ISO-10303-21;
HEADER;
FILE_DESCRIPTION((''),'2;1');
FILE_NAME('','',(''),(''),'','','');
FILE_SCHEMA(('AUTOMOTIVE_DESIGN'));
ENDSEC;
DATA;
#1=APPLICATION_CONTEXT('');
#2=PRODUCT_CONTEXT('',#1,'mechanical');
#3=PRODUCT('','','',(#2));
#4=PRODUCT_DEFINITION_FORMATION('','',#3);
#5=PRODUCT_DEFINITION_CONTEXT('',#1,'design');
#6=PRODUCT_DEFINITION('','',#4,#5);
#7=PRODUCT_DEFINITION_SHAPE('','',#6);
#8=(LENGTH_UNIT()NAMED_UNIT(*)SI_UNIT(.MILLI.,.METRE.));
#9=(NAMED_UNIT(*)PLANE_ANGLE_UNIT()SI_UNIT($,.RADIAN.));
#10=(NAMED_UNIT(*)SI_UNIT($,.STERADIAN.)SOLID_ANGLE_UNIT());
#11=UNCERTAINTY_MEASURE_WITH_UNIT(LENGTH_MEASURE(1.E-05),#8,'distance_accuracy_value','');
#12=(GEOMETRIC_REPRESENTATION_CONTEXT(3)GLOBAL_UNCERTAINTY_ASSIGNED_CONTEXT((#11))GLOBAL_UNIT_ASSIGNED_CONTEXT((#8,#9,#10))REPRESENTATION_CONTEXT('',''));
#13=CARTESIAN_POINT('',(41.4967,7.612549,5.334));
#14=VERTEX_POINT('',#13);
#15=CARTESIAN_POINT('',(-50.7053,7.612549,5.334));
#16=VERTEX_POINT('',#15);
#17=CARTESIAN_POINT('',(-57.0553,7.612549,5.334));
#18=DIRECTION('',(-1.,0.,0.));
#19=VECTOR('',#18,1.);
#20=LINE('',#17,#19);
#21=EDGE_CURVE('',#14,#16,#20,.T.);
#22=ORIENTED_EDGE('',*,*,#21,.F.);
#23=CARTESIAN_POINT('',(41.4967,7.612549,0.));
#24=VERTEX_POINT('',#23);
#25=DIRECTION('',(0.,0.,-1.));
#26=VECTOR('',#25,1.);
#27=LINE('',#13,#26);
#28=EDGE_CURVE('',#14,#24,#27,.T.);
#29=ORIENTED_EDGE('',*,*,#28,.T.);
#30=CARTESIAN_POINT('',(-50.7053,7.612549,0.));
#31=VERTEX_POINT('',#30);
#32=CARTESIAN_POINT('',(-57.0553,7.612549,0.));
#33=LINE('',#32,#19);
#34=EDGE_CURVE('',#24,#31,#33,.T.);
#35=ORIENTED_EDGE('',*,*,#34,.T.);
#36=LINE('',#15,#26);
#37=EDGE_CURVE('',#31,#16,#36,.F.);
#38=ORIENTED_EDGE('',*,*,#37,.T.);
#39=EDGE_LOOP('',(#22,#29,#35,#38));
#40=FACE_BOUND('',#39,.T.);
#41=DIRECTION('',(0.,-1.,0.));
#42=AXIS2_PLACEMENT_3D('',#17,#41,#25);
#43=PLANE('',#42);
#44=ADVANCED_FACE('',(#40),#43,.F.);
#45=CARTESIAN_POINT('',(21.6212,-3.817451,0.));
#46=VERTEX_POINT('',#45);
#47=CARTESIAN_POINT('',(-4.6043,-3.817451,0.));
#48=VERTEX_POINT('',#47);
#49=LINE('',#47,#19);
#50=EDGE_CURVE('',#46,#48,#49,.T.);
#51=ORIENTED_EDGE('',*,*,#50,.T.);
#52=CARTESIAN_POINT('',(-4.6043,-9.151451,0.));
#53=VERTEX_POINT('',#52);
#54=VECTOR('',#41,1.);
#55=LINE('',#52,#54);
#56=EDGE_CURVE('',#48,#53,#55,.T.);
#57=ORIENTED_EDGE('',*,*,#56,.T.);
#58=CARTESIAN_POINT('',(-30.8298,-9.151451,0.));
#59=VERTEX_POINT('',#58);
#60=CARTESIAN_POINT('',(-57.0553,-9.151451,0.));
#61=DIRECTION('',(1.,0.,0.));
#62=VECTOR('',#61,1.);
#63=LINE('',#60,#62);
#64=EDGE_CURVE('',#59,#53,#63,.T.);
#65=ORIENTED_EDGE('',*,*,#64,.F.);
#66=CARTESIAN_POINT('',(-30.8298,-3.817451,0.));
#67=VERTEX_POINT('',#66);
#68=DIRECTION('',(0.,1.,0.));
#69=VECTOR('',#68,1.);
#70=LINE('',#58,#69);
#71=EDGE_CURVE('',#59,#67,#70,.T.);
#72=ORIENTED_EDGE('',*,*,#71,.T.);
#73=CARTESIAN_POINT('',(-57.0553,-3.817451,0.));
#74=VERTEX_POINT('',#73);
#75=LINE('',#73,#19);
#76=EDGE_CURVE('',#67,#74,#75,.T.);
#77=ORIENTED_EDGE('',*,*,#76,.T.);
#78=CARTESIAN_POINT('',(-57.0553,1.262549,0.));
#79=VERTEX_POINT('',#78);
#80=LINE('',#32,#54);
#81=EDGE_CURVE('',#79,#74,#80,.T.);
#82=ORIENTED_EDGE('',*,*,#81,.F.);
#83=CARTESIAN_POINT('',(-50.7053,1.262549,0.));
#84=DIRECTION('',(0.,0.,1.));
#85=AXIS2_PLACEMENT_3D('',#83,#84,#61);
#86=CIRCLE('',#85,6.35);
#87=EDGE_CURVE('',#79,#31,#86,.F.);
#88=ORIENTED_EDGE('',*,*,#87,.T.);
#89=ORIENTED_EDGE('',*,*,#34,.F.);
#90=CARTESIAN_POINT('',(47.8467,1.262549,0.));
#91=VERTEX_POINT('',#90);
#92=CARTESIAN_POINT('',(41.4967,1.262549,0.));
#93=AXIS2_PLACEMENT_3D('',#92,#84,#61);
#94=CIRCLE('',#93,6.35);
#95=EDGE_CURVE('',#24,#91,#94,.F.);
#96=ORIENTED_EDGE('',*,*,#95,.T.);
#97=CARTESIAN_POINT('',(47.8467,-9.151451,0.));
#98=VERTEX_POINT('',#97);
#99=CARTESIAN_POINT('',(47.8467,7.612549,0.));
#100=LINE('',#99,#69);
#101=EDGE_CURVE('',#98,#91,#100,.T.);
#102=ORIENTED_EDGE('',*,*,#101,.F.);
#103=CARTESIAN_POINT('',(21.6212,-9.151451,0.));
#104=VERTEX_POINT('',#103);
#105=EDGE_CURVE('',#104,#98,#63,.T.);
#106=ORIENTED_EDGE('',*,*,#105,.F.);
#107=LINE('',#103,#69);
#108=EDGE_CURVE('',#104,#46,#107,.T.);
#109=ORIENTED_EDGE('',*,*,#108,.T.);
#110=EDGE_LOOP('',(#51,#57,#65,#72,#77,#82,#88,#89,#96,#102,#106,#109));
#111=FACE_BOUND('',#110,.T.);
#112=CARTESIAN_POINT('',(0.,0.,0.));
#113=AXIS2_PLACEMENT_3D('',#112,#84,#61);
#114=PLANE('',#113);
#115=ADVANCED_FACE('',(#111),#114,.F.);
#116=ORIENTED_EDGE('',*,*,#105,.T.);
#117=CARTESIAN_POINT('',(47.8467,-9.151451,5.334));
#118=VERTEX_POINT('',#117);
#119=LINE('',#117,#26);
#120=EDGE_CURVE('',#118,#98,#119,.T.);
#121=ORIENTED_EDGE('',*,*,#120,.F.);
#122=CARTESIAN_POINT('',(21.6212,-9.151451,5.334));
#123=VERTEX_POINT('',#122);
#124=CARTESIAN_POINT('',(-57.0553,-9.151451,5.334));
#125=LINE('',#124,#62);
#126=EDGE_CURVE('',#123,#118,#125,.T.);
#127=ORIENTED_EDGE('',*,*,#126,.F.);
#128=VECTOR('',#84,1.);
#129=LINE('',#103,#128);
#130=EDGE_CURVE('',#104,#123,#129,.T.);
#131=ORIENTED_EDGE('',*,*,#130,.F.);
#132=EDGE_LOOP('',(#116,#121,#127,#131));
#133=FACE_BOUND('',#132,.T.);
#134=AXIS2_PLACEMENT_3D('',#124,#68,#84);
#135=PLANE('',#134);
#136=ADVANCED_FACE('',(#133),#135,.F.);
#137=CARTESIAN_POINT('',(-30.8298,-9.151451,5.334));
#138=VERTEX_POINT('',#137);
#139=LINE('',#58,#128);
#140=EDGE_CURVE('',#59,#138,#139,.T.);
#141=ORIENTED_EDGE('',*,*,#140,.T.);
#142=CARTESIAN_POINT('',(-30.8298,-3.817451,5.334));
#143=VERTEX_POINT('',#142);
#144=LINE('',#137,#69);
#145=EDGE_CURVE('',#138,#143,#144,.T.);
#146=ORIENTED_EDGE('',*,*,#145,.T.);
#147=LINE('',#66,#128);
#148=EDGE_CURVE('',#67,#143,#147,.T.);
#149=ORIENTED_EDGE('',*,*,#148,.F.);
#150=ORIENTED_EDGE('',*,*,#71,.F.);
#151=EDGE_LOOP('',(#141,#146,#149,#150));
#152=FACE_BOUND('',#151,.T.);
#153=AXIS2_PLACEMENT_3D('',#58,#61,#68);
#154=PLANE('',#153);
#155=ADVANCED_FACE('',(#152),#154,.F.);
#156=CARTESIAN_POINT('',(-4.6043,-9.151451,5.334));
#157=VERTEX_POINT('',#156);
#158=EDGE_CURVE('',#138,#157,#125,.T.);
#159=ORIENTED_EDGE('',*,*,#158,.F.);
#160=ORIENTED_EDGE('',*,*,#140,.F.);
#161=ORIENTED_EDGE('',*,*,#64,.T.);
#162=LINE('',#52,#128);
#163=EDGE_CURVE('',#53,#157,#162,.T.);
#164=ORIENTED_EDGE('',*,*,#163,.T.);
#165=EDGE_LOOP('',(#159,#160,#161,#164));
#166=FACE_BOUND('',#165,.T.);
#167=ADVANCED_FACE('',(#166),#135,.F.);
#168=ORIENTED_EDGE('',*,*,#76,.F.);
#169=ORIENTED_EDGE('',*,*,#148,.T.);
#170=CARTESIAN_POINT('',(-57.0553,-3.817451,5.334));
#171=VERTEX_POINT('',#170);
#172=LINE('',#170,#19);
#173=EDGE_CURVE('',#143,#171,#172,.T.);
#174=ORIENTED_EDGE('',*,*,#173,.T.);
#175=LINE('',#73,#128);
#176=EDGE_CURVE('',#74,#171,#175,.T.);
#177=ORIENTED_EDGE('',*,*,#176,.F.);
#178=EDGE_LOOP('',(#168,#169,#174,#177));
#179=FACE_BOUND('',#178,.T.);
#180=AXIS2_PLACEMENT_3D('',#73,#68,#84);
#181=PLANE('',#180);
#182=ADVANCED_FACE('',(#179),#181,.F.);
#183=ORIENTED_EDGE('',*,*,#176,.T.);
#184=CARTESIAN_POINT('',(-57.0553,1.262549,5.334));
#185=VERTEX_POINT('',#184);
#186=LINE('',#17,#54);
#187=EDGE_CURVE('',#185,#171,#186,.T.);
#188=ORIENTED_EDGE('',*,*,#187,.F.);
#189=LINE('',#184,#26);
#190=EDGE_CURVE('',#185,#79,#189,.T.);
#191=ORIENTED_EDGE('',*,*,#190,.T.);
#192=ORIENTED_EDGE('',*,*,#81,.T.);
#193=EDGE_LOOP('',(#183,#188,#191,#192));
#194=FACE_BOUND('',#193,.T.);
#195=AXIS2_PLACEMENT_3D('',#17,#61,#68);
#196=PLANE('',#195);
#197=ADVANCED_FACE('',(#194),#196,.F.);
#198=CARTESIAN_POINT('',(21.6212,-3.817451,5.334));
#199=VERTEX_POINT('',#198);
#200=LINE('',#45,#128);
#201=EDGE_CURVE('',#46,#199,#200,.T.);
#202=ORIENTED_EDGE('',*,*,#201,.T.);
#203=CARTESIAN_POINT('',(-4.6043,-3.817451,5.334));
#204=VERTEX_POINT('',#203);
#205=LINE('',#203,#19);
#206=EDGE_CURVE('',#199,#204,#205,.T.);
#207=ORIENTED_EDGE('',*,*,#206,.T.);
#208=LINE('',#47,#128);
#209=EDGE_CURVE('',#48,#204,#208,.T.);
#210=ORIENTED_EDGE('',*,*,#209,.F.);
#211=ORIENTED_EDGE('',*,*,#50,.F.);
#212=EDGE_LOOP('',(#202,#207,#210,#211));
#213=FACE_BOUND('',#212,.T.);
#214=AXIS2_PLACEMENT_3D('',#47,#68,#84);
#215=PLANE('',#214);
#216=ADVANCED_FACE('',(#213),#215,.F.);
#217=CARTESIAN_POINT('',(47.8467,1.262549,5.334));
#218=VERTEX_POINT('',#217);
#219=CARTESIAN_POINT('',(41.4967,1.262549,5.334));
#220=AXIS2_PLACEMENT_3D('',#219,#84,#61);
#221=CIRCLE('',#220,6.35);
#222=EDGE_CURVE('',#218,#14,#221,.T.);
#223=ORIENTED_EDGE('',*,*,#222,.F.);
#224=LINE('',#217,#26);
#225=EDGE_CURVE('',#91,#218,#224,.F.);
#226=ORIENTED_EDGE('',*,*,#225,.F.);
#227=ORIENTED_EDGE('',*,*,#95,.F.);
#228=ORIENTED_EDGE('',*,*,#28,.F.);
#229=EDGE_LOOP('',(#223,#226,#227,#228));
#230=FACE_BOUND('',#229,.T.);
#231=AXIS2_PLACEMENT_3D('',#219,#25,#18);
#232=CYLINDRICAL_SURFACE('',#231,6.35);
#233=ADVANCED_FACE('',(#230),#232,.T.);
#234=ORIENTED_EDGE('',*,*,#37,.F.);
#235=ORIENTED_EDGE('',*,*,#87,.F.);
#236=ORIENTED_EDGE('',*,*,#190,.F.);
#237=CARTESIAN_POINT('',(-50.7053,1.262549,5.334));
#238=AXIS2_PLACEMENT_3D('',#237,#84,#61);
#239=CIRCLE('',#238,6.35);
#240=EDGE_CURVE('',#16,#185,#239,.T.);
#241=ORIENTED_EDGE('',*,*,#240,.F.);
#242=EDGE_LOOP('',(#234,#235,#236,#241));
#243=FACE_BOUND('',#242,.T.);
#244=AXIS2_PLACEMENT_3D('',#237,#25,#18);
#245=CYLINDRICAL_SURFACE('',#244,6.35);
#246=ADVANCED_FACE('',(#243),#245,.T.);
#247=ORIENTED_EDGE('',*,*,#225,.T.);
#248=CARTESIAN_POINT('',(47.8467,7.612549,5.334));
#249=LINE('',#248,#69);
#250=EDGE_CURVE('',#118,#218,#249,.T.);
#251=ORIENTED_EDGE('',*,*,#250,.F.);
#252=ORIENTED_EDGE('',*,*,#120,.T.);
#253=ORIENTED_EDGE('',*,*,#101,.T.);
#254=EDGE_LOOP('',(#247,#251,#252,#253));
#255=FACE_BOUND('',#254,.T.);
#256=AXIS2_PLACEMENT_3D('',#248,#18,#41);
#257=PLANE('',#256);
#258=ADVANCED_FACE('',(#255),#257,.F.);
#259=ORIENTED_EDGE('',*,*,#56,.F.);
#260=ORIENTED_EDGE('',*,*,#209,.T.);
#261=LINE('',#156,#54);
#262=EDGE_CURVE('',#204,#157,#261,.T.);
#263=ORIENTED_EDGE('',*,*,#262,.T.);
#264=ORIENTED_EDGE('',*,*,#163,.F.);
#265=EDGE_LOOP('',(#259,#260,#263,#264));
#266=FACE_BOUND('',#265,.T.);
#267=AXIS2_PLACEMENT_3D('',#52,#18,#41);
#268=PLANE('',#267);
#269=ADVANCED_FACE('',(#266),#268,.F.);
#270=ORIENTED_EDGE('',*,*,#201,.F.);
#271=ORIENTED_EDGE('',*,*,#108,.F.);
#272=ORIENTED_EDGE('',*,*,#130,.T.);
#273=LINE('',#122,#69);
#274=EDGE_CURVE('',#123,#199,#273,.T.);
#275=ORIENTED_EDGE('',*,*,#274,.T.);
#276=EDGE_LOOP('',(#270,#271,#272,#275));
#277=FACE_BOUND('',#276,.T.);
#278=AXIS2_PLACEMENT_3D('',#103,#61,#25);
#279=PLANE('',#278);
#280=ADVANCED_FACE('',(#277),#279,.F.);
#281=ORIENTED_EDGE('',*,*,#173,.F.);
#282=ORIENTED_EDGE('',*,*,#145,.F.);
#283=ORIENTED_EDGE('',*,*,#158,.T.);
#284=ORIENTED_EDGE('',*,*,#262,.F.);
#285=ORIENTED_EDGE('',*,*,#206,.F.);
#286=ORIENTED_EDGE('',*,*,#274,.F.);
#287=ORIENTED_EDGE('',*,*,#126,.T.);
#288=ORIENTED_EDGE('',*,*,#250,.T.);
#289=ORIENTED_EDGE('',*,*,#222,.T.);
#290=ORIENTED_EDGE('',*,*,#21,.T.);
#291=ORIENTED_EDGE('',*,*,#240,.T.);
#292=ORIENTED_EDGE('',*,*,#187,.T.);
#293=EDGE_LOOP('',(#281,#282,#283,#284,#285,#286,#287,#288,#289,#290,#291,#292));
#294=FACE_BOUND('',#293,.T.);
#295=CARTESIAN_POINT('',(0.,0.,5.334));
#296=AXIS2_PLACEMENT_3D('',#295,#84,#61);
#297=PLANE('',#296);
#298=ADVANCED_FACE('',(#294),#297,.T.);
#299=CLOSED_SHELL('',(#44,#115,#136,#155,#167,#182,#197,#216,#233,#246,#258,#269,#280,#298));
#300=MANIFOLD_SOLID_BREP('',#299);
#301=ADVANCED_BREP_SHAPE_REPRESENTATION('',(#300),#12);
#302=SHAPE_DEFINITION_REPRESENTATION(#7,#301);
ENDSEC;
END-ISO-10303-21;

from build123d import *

# Parameters (mm, degrees)
SKETCH1_W           = 104.902
SKETCH1_H           = 16.764
BOSS_EXTRUDE1_DEPTH = 5.334
SKETCH2_W           = 26.2255
SKETCH2_H           = 5.334
CUT_EXTRUDE1_DEPTH  = 59.030232747
FILLET1_R           = 6.35


with BuildPart() as part:
    # Sketch1 → Boss-Extrude1 (new body)
    with BuildSketch(Plane.XY):
        with Locations((-4.604300362, -0.769451102)):
            Rectangle(SKETCH1_W, SKETCH1_H)
    extrude(amount=BOSS_EXTRUDE1_DEPTH)

    # Sketch2 → Cut-Extrude1 (cut, through all)
    with BuildSketch(Plane.XY.offset(5.334)):
        with Locations((-43.942550362, -6.484451102)):
            Rectangle(SKETCH2_W, SKETCH2_H)
        with Locations((8.508449638, -6.484451102)):
            Rectangle(SKETCH2_W, SKETCH2_H)
    extrude(amount=-CUT_EXTRUDE1_DEPTH, mode=Mode.SUBTRACT)

    # Fillet1
    fillet1_edges = [part.edges().sort_by_distance(p)[0] for p in [
        (-57.055300362, 7.612548898, 2.667),
        (47.846699638, 7.612548898, 2.667),
    ]]
    fillet(fillet1_edges, radius=FILLET1_R)


solid = part.part
